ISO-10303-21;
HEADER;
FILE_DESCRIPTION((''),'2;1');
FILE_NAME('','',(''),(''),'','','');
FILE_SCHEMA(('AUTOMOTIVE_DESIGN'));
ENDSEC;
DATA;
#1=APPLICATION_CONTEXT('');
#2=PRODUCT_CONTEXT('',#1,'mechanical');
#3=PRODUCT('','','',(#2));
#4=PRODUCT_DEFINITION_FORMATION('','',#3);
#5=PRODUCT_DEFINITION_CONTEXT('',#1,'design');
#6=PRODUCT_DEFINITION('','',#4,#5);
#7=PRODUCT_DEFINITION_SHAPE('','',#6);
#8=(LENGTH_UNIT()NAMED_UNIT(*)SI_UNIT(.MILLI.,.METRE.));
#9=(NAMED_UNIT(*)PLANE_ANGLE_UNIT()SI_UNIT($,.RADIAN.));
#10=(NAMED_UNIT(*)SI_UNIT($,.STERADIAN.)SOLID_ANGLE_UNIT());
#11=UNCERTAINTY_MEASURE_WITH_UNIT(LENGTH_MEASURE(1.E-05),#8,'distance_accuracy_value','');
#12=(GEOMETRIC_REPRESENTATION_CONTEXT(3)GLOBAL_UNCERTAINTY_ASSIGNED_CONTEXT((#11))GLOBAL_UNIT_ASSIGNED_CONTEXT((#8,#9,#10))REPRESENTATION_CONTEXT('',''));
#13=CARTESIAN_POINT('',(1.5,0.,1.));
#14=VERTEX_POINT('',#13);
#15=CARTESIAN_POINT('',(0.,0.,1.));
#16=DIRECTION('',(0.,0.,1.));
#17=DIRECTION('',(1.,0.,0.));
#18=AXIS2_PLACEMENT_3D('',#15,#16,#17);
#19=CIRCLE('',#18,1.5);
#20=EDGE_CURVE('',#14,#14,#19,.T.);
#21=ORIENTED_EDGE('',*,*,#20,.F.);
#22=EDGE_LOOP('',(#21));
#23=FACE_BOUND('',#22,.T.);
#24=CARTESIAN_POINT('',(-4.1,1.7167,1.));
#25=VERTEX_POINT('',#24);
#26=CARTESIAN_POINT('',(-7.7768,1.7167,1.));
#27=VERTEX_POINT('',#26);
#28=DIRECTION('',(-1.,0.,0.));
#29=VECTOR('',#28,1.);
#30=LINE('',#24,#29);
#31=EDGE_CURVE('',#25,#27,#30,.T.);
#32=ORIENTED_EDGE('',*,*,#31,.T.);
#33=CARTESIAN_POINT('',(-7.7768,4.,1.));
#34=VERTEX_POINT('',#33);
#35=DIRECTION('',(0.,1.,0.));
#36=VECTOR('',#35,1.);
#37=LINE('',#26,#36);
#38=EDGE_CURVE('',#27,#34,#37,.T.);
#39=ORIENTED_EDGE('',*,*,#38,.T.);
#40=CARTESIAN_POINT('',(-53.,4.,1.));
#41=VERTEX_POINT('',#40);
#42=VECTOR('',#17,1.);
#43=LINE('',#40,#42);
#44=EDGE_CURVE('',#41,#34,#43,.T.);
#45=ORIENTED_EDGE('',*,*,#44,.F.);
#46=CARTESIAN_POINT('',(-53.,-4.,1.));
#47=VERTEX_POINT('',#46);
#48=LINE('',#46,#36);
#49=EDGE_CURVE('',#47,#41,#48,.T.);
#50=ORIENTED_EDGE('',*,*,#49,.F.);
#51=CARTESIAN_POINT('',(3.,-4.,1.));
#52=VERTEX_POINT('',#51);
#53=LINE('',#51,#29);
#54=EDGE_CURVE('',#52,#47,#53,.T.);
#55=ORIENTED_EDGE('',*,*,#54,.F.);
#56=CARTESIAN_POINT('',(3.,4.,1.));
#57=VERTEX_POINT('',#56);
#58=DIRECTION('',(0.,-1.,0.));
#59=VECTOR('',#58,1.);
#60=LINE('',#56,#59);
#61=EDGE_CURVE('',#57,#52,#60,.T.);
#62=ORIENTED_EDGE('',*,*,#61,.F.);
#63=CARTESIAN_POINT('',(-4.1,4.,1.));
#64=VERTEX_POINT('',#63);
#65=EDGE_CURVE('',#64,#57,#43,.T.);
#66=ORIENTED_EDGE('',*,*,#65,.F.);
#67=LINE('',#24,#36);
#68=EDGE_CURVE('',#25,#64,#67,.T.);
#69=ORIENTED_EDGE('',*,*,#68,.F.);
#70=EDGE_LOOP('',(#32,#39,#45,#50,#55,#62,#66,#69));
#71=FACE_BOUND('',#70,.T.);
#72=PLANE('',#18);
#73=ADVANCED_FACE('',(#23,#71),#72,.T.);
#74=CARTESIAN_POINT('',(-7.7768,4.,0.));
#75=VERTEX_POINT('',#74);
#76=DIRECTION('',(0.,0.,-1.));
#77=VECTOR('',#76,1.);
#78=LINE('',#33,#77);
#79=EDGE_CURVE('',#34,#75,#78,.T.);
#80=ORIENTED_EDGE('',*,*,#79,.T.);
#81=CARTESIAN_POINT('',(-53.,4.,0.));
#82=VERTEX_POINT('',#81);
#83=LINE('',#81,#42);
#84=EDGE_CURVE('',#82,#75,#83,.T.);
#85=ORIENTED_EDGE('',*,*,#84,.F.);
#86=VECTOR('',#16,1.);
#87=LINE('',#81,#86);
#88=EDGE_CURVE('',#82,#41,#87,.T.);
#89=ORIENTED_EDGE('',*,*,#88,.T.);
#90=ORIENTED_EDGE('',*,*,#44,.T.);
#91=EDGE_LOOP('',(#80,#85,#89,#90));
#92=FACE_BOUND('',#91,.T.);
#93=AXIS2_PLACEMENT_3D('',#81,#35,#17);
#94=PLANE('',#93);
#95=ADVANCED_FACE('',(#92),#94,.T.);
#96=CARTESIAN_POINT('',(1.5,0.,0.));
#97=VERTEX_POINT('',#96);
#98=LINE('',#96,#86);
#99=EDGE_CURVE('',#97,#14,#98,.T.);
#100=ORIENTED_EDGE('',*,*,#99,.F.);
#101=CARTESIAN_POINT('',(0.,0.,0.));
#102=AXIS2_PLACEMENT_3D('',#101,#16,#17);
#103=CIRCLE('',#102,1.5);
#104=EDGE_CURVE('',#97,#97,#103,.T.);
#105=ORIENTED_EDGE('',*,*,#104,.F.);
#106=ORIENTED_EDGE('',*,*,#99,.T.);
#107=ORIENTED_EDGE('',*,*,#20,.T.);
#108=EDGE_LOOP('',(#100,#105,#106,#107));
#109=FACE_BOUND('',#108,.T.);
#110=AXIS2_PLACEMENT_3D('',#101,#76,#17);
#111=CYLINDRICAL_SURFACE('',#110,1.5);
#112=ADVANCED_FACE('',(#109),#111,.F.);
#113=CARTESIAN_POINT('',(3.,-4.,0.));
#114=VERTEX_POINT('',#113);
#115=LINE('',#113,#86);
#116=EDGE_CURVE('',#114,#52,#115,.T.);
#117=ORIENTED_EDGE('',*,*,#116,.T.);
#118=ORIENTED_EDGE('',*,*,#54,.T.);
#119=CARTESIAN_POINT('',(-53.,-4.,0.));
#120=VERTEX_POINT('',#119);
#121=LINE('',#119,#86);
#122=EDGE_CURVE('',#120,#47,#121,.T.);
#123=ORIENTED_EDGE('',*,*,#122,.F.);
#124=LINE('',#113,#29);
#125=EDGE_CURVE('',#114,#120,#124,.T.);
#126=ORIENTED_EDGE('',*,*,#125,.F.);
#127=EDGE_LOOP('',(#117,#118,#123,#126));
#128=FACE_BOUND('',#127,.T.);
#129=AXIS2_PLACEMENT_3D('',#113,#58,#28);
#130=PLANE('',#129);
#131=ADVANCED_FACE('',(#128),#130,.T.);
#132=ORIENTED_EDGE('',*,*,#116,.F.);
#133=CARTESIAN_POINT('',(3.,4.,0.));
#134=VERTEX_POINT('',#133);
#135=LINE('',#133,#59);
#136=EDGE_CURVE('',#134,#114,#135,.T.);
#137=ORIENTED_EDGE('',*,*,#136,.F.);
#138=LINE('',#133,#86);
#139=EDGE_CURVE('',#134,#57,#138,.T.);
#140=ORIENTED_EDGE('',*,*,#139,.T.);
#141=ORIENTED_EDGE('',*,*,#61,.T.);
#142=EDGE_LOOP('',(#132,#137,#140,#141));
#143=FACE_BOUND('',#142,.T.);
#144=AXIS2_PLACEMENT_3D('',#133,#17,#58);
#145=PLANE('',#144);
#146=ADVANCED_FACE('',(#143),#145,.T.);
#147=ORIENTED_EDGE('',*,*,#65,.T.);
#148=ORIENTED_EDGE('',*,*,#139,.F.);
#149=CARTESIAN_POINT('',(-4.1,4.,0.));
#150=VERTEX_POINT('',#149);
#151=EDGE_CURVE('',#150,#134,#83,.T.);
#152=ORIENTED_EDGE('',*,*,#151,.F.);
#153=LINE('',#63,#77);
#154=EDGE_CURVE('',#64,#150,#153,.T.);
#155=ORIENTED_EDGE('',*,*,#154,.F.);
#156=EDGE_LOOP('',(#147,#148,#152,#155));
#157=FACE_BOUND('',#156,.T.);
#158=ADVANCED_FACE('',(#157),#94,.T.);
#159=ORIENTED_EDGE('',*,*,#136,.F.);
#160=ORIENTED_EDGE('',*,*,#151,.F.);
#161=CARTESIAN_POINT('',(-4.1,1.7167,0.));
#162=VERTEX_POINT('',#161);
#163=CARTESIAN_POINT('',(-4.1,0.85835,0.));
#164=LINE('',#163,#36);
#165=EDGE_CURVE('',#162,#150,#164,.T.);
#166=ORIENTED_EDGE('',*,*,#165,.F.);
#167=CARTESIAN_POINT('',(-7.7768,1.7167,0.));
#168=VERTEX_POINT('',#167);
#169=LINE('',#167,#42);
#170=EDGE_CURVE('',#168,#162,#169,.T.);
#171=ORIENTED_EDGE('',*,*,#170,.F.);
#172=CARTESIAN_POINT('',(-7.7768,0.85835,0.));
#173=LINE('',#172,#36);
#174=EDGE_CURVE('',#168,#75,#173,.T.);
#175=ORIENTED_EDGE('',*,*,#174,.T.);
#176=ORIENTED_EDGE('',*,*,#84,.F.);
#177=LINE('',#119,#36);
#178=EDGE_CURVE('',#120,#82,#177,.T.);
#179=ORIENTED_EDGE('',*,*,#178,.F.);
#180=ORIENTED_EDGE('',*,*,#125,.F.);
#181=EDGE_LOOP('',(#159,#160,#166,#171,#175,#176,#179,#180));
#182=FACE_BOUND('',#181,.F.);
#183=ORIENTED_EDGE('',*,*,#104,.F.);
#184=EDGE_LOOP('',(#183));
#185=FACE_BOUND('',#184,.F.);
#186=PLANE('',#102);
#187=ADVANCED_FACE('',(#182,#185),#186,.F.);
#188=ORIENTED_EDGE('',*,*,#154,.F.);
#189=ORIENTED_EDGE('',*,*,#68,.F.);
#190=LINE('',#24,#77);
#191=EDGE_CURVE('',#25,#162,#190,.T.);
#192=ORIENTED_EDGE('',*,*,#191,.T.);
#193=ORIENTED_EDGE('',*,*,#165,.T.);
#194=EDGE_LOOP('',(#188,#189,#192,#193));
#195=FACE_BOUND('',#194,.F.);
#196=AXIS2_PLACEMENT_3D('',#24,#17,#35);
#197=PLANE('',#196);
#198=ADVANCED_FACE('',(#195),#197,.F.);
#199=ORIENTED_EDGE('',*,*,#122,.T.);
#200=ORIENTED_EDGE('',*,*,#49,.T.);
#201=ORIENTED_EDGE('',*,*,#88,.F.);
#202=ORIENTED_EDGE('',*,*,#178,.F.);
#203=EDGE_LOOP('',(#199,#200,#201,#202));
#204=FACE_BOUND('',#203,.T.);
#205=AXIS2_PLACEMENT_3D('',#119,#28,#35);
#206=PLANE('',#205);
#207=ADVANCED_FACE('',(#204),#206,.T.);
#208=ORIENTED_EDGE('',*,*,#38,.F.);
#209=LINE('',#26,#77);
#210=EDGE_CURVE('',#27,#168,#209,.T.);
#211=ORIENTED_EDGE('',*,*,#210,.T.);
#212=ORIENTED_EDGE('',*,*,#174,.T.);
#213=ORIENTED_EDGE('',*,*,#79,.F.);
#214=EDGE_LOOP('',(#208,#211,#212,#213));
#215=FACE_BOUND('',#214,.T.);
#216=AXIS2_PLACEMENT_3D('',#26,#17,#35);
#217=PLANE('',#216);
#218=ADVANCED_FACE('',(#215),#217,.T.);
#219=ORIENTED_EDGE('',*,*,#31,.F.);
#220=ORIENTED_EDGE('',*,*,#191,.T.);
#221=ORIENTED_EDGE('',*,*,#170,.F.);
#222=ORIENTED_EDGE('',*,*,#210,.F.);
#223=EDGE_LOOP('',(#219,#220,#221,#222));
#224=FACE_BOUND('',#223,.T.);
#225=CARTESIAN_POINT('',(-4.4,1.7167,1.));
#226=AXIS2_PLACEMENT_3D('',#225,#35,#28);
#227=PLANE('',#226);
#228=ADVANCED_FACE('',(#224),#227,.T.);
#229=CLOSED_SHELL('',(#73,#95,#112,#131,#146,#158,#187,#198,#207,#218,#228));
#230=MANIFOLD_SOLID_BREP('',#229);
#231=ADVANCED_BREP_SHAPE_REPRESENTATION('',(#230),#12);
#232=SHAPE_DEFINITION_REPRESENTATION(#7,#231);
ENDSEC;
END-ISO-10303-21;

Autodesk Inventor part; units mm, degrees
ref_plane "YZ Plane" through (0, 0, 0) normal (1, 0, 0) x (0, 1, 0)
ref_plane "XZ Plane" through (0, 0, 0) normal (0, 1, 0) x (-1, 0, 0)
ref_plane "XY Plane" through (0, 0, 0) normal (0, 0, 1) x (1, 0, 0)
sketch "Sketch1" plane through (0, 0, 0) normal (0, 0, 1) x (1, 0, 0)
  line L0 (3, -4) -> (-53, -4)
  line L1 (-53, -4) -> (-53, 4)
  line L2 (-53, 4) -> (3, 4)
  line L3 (3, 4) -> (3, -4)
  circle A0 centre (0, 0) radius 1.5 projected
  point P0 (0, 0)
  point P1 (-53, 3)
  dimension "d0" = 8
  dimension "d1" = 56
  dimension "d2" = 4
extrude "Extrusion2" add sketch "Sketch1" along normal blind 1
sketch "Sketch2" plane through (0, 0, 1) normal (0, 0, 1) x (1, 0, 0)
  line L0 (-4.4, 1.7167) -> (-7.7768, 1.7167)
  line L1 (-7.7768, 1.7167) -> (-7.7768, 4)
  line L2 (3, 4) -> (-53, 4) projected
  line L3 (-4.4, 4) -> (-7.7768, 4)
  line L4 (-4.4, 1.7167) -> (-4.1, 1.7167)
  line L5 (-4.1, 1.7167) -> (-4.1, 4)
  line L6 (-4.1, 4) -> (-4.4, 4)
  point P0 (0, 0)
  dimension "d10" = 0.3
extrude "Extrusion3" cut sketch "Sketch2" against normal blind 10
properties part number "Spoiler"
